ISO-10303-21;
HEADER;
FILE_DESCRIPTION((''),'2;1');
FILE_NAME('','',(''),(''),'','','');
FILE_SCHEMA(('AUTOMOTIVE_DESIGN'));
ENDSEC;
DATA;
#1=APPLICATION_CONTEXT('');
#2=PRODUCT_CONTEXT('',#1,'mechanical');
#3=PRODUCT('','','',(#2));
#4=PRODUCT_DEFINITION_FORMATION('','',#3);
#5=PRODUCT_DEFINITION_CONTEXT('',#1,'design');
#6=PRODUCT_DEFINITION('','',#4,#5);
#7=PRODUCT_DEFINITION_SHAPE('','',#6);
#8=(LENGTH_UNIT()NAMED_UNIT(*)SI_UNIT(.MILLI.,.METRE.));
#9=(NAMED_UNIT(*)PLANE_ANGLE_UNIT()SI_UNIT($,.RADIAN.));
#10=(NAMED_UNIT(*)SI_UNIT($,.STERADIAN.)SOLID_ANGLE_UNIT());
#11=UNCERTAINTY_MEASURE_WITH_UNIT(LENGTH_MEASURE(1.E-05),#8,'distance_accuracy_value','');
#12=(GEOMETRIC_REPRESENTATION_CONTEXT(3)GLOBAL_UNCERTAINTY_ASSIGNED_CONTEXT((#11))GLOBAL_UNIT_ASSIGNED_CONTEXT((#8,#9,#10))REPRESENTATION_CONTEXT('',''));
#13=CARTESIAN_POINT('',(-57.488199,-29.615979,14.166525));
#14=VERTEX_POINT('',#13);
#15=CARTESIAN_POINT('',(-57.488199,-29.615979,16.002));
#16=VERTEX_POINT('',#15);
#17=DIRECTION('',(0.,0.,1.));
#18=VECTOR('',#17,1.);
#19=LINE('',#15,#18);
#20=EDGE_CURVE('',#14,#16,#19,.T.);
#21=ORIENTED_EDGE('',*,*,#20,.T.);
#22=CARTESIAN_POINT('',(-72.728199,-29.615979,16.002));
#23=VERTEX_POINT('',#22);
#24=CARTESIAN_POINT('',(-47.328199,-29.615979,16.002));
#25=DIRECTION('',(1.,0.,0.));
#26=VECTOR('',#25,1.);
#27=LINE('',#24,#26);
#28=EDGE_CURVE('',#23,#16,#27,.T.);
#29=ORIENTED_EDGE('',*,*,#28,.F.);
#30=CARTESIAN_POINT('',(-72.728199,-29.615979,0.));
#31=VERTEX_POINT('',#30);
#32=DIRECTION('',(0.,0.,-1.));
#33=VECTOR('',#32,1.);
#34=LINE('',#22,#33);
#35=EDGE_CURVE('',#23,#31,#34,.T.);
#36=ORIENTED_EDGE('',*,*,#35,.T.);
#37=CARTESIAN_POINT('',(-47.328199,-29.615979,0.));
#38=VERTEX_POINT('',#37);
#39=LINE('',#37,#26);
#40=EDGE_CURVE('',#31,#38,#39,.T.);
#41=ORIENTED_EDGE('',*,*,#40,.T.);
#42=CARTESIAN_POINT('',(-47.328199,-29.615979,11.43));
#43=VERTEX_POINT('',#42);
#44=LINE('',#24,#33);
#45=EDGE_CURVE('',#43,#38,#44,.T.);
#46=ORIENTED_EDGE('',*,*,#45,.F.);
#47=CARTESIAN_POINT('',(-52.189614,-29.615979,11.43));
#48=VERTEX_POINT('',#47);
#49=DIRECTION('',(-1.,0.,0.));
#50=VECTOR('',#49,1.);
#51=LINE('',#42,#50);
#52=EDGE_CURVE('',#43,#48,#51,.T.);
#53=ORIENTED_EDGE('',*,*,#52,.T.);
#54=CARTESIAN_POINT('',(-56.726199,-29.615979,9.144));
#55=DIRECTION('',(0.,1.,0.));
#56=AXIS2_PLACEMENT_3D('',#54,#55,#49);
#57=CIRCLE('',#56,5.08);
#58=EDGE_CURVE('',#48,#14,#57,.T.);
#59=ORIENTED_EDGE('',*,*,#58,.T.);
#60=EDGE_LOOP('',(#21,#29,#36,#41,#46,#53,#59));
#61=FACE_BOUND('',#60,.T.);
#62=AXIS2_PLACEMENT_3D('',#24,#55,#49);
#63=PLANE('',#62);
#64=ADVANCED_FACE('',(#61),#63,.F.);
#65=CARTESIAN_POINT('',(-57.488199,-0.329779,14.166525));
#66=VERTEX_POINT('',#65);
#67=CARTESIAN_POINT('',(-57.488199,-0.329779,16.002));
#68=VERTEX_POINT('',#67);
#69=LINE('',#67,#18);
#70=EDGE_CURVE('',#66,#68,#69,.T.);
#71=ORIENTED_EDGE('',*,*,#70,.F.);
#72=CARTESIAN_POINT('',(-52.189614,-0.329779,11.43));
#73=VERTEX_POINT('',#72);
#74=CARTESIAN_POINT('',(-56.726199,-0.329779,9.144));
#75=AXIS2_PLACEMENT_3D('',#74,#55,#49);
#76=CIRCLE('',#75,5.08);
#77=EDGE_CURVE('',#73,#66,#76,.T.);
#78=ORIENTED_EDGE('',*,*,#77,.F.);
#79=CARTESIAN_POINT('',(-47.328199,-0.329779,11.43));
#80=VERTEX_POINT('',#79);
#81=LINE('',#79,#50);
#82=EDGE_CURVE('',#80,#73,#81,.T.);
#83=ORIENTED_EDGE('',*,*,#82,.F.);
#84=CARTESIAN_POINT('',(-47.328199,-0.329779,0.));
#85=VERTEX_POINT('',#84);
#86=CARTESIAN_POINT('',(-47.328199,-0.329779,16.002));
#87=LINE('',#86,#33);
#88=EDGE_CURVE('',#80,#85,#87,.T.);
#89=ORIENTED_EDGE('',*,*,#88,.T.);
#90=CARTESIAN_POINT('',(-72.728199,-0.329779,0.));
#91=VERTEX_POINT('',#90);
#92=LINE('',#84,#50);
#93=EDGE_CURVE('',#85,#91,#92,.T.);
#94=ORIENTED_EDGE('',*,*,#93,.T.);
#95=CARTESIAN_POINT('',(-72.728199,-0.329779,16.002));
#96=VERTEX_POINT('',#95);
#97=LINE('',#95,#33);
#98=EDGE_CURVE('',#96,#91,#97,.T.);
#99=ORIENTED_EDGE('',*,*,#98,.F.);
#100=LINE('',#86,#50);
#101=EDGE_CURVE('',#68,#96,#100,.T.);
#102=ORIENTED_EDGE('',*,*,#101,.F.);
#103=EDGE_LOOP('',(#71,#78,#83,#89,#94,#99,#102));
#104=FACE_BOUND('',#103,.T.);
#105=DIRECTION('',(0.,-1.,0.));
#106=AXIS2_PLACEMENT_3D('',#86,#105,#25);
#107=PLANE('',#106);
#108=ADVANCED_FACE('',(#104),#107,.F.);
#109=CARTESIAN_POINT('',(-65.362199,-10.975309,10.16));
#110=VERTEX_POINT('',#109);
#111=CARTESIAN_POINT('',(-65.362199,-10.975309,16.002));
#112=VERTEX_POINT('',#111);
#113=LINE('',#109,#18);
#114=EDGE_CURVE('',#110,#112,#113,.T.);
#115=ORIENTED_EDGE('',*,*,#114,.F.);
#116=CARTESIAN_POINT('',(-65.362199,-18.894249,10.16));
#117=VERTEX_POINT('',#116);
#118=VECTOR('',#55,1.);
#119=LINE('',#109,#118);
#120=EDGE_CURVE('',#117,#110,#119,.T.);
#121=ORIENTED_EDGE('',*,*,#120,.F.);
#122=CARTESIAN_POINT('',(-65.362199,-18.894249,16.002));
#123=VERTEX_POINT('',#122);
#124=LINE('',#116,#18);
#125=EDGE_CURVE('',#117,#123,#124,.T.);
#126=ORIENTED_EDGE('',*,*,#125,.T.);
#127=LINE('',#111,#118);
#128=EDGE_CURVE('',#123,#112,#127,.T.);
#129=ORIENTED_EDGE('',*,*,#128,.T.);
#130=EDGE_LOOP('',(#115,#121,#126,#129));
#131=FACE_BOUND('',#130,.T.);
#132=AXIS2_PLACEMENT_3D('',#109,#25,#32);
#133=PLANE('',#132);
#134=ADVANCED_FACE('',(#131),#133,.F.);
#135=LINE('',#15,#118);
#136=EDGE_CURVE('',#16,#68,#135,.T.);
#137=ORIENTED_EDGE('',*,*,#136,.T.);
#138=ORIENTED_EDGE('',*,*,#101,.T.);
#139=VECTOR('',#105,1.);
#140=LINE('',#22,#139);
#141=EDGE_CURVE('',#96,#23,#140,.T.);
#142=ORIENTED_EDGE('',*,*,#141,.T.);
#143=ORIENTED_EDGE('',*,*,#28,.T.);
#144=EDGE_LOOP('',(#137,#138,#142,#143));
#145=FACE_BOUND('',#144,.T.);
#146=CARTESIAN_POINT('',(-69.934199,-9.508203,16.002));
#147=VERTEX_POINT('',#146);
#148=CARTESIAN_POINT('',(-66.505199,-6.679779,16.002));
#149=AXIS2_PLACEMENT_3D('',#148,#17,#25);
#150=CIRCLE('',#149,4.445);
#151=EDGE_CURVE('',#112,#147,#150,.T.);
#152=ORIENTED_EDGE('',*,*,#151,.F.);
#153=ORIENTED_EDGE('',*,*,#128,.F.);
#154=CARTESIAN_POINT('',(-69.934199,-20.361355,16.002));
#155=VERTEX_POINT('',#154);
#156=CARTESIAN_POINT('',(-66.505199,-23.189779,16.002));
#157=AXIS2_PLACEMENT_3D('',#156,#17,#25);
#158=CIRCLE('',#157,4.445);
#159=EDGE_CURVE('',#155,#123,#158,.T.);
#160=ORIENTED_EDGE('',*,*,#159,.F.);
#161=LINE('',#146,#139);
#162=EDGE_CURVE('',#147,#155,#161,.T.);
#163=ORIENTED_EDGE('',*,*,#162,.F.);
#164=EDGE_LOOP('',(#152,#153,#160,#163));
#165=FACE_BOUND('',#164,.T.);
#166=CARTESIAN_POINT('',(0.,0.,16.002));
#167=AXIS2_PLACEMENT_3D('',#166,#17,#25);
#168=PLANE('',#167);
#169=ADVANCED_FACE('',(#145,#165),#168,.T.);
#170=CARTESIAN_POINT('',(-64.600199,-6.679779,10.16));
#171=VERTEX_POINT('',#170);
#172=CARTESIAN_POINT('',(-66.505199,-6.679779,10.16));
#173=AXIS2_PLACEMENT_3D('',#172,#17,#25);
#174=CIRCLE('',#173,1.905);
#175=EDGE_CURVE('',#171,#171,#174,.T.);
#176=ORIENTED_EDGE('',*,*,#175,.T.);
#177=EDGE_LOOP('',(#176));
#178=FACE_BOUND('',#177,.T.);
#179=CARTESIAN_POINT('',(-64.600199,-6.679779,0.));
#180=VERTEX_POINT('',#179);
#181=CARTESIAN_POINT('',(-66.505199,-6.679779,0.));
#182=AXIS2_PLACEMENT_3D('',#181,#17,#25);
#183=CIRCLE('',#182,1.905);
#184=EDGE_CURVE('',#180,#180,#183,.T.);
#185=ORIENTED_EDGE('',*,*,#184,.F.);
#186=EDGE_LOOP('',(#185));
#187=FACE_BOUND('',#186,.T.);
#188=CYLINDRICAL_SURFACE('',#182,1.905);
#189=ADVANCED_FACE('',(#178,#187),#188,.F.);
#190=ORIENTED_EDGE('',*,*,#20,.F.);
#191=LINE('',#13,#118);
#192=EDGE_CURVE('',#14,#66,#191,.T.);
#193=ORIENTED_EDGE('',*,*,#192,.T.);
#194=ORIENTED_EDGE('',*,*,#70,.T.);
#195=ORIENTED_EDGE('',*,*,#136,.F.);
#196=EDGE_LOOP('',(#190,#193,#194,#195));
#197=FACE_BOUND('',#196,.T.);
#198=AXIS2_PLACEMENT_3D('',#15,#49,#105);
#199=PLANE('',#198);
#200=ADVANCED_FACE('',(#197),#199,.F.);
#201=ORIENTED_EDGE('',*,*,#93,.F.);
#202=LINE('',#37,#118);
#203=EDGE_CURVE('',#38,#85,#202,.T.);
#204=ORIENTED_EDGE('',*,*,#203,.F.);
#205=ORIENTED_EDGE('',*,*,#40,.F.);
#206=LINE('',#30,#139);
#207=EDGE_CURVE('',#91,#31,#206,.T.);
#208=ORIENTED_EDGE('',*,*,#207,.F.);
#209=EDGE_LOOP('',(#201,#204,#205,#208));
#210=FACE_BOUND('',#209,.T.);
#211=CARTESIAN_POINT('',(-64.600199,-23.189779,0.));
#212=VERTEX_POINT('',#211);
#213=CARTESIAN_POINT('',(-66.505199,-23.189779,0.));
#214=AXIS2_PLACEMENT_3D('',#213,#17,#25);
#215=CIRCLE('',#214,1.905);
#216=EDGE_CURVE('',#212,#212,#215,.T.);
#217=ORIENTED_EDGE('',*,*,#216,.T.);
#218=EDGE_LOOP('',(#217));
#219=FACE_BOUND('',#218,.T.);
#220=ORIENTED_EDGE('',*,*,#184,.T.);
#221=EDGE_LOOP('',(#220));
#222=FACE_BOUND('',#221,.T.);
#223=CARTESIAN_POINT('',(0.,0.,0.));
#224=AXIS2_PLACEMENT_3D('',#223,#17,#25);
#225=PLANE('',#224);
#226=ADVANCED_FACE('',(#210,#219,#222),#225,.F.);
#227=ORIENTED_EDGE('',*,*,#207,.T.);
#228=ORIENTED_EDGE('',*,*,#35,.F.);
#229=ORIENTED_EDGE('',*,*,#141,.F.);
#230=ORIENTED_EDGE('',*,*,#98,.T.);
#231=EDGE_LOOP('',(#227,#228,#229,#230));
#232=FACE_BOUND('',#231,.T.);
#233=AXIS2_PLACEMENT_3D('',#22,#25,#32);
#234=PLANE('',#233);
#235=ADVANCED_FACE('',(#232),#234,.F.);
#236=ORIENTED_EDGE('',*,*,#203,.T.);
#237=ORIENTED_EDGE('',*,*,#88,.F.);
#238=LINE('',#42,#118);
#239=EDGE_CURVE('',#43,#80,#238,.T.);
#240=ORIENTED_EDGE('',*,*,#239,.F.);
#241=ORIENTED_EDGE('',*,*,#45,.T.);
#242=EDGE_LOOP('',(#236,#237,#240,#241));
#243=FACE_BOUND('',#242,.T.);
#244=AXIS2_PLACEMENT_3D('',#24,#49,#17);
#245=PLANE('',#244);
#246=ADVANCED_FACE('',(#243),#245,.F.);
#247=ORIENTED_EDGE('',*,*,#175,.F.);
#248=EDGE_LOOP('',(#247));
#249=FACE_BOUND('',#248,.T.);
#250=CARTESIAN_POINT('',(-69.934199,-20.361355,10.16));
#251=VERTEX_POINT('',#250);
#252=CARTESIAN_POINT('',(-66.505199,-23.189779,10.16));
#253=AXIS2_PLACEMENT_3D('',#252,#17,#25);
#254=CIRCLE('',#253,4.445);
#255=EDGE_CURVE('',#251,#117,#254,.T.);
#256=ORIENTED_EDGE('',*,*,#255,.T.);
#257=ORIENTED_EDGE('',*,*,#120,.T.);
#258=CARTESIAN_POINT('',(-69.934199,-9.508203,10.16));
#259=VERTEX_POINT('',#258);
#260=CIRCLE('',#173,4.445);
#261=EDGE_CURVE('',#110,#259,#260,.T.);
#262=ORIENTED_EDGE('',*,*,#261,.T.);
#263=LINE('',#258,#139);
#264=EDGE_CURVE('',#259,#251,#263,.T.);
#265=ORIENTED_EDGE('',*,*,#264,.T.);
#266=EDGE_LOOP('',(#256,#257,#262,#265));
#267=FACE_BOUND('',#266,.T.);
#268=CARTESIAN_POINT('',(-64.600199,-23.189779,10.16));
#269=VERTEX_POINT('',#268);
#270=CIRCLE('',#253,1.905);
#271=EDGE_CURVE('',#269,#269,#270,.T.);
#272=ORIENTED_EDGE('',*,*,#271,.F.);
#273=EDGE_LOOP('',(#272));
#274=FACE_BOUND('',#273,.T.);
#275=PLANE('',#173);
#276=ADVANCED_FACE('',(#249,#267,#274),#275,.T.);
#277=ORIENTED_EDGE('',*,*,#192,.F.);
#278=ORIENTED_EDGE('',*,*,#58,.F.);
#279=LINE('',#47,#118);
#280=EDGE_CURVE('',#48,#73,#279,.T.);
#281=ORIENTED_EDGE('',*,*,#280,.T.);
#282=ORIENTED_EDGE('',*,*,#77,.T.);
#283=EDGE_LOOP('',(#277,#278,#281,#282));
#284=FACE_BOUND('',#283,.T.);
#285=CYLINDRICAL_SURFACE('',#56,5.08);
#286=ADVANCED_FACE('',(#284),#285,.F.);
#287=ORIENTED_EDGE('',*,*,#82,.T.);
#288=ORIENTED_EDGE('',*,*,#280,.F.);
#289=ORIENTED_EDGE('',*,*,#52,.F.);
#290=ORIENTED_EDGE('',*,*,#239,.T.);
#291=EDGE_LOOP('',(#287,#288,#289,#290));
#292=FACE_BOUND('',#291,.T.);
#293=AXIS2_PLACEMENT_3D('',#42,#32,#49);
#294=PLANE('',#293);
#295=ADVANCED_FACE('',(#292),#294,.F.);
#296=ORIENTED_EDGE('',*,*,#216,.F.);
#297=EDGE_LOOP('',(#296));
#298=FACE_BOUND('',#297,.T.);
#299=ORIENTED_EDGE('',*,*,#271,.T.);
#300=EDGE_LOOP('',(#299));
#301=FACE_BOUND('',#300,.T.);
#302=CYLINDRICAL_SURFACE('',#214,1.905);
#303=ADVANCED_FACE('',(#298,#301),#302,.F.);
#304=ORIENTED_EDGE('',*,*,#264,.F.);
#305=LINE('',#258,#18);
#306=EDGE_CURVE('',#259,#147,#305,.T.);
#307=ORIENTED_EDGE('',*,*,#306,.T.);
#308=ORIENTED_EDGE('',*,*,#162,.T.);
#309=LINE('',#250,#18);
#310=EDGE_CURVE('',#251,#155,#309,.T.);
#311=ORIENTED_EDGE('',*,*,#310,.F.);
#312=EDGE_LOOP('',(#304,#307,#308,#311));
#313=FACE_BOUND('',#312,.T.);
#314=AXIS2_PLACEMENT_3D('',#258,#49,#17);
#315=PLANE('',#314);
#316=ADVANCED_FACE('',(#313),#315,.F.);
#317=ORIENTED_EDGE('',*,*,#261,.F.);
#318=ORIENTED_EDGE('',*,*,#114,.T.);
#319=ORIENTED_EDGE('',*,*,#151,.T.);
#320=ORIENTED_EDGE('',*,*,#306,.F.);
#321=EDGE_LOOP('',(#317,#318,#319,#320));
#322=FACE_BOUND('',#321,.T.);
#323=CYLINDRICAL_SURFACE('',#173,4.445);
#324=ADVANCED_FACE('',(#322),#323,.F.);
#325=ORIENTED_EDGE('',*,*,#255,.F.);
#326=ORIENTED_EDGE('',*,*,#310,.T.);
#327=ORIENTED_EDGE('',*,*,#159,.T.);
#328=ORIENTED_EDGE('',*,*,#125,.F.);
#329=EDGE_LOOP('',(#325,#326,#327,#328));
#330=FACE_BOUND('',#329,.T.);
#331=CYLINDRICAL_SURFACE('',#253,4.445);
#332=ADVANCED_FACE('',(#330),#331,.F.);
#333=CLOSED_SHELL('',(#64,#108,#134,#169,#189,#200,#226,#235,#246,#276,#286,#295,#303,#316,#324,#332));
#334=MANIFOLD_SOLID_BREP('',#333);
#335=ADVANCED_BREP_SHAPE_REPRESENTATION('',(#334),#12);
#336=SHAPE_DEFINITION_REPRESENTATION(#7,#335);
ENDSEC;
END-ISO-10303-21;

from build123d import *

# Parameters (mm, degrees)
SKETCH1_W           = 25.4
SKETCH1_H           = 29.2862
BOSS_EXTRUDE1_DEPTH = 16.002
CUT_EXTRUDE1_DEPTH  = 5.842
SKETCH3_R           = 1.905
CUT_EXTRUDE2_DEPTH  = 80.18158073
CUT_EXTRUDE3_DEPTH  = 81.01960028


with BuildPart() as part:
    # Sketch1 → Boss-Extrude1 (new body)
    with BuildSketch(Plane.XY):
        with Locations((-60.028198895, -14.972879006)):
            Rectangle(SKETCH1_W, SKETCH1_H)
    extrude(amount=BOSS_EXTRUDE1_DEPTH)

    # Sketch2 → Cut-Extrude1 (cut)
    with BuildSketch(Plane.XY.offset(16.002)):
        with BuildLine():
            Line((-69.934198895, -9.508203302), (-69.934198895, -20.361354709))
            ThreePointArc((-69.934198895, -20.361354709), (-65.147057291, -27.422210503), (-65.362198895, -18.894249236))
            Line((-65.362198895, -18.894249236), (-65.362198895, -10.975308775))
            ThreePointArc((-65.362198895, -10.975308775), (-65.147057291, -2.447347508), (-69.934198895, -9.508203302))
        make_face()
    extrude(amount=-CUT_EXTRUDE1_DEPTH, mode=Mode.SUBTRACT)

    # Sketch3 → Cut-Extrude2 (cut, through all)
    with BuildSketch(Plane.XY.offset(10.16)):
        with Locations((-66.505198895, -6.679779006)):
            Circle(SKETCH3_R)
        with Locations((-66.505198895, -23.189779006)):
            Circle(SKETCH3_R)
    extrude(amount=-CUT_EXTRUDE2_DEPTH, mode=Mode.SUBTRACT)

    # Sketch4 → Cut-Extrude3 (cut, through all)
    with BuildSketch(Plane(origin=(0, -0.329779006, 0), x_dir=(1, 0, 0), z_dir=(0, 1, 0))):
        with BuildLine():
            Line((-57.488198895, -16.002), (-57.488198895, -14.166524863))
            ThreePointArc((-57.488198895, -14.166524863), (-59.057296313, -4.63042217), (-52.189613836, -11.43))
            Line((-52.189613836, -11.43), (-47.328198895, -11.43))
            Line((-47.328198895, -11.43), (-47.328198895, -16.002))
            Line((-47.328198895, -16.002), (-57.488198895, -16.002))
        make_face()
    extrude(amount=-CUT_EXTRUDE3_DEPTH, mode=Mode.SUBTRACT)


solid = part.part
